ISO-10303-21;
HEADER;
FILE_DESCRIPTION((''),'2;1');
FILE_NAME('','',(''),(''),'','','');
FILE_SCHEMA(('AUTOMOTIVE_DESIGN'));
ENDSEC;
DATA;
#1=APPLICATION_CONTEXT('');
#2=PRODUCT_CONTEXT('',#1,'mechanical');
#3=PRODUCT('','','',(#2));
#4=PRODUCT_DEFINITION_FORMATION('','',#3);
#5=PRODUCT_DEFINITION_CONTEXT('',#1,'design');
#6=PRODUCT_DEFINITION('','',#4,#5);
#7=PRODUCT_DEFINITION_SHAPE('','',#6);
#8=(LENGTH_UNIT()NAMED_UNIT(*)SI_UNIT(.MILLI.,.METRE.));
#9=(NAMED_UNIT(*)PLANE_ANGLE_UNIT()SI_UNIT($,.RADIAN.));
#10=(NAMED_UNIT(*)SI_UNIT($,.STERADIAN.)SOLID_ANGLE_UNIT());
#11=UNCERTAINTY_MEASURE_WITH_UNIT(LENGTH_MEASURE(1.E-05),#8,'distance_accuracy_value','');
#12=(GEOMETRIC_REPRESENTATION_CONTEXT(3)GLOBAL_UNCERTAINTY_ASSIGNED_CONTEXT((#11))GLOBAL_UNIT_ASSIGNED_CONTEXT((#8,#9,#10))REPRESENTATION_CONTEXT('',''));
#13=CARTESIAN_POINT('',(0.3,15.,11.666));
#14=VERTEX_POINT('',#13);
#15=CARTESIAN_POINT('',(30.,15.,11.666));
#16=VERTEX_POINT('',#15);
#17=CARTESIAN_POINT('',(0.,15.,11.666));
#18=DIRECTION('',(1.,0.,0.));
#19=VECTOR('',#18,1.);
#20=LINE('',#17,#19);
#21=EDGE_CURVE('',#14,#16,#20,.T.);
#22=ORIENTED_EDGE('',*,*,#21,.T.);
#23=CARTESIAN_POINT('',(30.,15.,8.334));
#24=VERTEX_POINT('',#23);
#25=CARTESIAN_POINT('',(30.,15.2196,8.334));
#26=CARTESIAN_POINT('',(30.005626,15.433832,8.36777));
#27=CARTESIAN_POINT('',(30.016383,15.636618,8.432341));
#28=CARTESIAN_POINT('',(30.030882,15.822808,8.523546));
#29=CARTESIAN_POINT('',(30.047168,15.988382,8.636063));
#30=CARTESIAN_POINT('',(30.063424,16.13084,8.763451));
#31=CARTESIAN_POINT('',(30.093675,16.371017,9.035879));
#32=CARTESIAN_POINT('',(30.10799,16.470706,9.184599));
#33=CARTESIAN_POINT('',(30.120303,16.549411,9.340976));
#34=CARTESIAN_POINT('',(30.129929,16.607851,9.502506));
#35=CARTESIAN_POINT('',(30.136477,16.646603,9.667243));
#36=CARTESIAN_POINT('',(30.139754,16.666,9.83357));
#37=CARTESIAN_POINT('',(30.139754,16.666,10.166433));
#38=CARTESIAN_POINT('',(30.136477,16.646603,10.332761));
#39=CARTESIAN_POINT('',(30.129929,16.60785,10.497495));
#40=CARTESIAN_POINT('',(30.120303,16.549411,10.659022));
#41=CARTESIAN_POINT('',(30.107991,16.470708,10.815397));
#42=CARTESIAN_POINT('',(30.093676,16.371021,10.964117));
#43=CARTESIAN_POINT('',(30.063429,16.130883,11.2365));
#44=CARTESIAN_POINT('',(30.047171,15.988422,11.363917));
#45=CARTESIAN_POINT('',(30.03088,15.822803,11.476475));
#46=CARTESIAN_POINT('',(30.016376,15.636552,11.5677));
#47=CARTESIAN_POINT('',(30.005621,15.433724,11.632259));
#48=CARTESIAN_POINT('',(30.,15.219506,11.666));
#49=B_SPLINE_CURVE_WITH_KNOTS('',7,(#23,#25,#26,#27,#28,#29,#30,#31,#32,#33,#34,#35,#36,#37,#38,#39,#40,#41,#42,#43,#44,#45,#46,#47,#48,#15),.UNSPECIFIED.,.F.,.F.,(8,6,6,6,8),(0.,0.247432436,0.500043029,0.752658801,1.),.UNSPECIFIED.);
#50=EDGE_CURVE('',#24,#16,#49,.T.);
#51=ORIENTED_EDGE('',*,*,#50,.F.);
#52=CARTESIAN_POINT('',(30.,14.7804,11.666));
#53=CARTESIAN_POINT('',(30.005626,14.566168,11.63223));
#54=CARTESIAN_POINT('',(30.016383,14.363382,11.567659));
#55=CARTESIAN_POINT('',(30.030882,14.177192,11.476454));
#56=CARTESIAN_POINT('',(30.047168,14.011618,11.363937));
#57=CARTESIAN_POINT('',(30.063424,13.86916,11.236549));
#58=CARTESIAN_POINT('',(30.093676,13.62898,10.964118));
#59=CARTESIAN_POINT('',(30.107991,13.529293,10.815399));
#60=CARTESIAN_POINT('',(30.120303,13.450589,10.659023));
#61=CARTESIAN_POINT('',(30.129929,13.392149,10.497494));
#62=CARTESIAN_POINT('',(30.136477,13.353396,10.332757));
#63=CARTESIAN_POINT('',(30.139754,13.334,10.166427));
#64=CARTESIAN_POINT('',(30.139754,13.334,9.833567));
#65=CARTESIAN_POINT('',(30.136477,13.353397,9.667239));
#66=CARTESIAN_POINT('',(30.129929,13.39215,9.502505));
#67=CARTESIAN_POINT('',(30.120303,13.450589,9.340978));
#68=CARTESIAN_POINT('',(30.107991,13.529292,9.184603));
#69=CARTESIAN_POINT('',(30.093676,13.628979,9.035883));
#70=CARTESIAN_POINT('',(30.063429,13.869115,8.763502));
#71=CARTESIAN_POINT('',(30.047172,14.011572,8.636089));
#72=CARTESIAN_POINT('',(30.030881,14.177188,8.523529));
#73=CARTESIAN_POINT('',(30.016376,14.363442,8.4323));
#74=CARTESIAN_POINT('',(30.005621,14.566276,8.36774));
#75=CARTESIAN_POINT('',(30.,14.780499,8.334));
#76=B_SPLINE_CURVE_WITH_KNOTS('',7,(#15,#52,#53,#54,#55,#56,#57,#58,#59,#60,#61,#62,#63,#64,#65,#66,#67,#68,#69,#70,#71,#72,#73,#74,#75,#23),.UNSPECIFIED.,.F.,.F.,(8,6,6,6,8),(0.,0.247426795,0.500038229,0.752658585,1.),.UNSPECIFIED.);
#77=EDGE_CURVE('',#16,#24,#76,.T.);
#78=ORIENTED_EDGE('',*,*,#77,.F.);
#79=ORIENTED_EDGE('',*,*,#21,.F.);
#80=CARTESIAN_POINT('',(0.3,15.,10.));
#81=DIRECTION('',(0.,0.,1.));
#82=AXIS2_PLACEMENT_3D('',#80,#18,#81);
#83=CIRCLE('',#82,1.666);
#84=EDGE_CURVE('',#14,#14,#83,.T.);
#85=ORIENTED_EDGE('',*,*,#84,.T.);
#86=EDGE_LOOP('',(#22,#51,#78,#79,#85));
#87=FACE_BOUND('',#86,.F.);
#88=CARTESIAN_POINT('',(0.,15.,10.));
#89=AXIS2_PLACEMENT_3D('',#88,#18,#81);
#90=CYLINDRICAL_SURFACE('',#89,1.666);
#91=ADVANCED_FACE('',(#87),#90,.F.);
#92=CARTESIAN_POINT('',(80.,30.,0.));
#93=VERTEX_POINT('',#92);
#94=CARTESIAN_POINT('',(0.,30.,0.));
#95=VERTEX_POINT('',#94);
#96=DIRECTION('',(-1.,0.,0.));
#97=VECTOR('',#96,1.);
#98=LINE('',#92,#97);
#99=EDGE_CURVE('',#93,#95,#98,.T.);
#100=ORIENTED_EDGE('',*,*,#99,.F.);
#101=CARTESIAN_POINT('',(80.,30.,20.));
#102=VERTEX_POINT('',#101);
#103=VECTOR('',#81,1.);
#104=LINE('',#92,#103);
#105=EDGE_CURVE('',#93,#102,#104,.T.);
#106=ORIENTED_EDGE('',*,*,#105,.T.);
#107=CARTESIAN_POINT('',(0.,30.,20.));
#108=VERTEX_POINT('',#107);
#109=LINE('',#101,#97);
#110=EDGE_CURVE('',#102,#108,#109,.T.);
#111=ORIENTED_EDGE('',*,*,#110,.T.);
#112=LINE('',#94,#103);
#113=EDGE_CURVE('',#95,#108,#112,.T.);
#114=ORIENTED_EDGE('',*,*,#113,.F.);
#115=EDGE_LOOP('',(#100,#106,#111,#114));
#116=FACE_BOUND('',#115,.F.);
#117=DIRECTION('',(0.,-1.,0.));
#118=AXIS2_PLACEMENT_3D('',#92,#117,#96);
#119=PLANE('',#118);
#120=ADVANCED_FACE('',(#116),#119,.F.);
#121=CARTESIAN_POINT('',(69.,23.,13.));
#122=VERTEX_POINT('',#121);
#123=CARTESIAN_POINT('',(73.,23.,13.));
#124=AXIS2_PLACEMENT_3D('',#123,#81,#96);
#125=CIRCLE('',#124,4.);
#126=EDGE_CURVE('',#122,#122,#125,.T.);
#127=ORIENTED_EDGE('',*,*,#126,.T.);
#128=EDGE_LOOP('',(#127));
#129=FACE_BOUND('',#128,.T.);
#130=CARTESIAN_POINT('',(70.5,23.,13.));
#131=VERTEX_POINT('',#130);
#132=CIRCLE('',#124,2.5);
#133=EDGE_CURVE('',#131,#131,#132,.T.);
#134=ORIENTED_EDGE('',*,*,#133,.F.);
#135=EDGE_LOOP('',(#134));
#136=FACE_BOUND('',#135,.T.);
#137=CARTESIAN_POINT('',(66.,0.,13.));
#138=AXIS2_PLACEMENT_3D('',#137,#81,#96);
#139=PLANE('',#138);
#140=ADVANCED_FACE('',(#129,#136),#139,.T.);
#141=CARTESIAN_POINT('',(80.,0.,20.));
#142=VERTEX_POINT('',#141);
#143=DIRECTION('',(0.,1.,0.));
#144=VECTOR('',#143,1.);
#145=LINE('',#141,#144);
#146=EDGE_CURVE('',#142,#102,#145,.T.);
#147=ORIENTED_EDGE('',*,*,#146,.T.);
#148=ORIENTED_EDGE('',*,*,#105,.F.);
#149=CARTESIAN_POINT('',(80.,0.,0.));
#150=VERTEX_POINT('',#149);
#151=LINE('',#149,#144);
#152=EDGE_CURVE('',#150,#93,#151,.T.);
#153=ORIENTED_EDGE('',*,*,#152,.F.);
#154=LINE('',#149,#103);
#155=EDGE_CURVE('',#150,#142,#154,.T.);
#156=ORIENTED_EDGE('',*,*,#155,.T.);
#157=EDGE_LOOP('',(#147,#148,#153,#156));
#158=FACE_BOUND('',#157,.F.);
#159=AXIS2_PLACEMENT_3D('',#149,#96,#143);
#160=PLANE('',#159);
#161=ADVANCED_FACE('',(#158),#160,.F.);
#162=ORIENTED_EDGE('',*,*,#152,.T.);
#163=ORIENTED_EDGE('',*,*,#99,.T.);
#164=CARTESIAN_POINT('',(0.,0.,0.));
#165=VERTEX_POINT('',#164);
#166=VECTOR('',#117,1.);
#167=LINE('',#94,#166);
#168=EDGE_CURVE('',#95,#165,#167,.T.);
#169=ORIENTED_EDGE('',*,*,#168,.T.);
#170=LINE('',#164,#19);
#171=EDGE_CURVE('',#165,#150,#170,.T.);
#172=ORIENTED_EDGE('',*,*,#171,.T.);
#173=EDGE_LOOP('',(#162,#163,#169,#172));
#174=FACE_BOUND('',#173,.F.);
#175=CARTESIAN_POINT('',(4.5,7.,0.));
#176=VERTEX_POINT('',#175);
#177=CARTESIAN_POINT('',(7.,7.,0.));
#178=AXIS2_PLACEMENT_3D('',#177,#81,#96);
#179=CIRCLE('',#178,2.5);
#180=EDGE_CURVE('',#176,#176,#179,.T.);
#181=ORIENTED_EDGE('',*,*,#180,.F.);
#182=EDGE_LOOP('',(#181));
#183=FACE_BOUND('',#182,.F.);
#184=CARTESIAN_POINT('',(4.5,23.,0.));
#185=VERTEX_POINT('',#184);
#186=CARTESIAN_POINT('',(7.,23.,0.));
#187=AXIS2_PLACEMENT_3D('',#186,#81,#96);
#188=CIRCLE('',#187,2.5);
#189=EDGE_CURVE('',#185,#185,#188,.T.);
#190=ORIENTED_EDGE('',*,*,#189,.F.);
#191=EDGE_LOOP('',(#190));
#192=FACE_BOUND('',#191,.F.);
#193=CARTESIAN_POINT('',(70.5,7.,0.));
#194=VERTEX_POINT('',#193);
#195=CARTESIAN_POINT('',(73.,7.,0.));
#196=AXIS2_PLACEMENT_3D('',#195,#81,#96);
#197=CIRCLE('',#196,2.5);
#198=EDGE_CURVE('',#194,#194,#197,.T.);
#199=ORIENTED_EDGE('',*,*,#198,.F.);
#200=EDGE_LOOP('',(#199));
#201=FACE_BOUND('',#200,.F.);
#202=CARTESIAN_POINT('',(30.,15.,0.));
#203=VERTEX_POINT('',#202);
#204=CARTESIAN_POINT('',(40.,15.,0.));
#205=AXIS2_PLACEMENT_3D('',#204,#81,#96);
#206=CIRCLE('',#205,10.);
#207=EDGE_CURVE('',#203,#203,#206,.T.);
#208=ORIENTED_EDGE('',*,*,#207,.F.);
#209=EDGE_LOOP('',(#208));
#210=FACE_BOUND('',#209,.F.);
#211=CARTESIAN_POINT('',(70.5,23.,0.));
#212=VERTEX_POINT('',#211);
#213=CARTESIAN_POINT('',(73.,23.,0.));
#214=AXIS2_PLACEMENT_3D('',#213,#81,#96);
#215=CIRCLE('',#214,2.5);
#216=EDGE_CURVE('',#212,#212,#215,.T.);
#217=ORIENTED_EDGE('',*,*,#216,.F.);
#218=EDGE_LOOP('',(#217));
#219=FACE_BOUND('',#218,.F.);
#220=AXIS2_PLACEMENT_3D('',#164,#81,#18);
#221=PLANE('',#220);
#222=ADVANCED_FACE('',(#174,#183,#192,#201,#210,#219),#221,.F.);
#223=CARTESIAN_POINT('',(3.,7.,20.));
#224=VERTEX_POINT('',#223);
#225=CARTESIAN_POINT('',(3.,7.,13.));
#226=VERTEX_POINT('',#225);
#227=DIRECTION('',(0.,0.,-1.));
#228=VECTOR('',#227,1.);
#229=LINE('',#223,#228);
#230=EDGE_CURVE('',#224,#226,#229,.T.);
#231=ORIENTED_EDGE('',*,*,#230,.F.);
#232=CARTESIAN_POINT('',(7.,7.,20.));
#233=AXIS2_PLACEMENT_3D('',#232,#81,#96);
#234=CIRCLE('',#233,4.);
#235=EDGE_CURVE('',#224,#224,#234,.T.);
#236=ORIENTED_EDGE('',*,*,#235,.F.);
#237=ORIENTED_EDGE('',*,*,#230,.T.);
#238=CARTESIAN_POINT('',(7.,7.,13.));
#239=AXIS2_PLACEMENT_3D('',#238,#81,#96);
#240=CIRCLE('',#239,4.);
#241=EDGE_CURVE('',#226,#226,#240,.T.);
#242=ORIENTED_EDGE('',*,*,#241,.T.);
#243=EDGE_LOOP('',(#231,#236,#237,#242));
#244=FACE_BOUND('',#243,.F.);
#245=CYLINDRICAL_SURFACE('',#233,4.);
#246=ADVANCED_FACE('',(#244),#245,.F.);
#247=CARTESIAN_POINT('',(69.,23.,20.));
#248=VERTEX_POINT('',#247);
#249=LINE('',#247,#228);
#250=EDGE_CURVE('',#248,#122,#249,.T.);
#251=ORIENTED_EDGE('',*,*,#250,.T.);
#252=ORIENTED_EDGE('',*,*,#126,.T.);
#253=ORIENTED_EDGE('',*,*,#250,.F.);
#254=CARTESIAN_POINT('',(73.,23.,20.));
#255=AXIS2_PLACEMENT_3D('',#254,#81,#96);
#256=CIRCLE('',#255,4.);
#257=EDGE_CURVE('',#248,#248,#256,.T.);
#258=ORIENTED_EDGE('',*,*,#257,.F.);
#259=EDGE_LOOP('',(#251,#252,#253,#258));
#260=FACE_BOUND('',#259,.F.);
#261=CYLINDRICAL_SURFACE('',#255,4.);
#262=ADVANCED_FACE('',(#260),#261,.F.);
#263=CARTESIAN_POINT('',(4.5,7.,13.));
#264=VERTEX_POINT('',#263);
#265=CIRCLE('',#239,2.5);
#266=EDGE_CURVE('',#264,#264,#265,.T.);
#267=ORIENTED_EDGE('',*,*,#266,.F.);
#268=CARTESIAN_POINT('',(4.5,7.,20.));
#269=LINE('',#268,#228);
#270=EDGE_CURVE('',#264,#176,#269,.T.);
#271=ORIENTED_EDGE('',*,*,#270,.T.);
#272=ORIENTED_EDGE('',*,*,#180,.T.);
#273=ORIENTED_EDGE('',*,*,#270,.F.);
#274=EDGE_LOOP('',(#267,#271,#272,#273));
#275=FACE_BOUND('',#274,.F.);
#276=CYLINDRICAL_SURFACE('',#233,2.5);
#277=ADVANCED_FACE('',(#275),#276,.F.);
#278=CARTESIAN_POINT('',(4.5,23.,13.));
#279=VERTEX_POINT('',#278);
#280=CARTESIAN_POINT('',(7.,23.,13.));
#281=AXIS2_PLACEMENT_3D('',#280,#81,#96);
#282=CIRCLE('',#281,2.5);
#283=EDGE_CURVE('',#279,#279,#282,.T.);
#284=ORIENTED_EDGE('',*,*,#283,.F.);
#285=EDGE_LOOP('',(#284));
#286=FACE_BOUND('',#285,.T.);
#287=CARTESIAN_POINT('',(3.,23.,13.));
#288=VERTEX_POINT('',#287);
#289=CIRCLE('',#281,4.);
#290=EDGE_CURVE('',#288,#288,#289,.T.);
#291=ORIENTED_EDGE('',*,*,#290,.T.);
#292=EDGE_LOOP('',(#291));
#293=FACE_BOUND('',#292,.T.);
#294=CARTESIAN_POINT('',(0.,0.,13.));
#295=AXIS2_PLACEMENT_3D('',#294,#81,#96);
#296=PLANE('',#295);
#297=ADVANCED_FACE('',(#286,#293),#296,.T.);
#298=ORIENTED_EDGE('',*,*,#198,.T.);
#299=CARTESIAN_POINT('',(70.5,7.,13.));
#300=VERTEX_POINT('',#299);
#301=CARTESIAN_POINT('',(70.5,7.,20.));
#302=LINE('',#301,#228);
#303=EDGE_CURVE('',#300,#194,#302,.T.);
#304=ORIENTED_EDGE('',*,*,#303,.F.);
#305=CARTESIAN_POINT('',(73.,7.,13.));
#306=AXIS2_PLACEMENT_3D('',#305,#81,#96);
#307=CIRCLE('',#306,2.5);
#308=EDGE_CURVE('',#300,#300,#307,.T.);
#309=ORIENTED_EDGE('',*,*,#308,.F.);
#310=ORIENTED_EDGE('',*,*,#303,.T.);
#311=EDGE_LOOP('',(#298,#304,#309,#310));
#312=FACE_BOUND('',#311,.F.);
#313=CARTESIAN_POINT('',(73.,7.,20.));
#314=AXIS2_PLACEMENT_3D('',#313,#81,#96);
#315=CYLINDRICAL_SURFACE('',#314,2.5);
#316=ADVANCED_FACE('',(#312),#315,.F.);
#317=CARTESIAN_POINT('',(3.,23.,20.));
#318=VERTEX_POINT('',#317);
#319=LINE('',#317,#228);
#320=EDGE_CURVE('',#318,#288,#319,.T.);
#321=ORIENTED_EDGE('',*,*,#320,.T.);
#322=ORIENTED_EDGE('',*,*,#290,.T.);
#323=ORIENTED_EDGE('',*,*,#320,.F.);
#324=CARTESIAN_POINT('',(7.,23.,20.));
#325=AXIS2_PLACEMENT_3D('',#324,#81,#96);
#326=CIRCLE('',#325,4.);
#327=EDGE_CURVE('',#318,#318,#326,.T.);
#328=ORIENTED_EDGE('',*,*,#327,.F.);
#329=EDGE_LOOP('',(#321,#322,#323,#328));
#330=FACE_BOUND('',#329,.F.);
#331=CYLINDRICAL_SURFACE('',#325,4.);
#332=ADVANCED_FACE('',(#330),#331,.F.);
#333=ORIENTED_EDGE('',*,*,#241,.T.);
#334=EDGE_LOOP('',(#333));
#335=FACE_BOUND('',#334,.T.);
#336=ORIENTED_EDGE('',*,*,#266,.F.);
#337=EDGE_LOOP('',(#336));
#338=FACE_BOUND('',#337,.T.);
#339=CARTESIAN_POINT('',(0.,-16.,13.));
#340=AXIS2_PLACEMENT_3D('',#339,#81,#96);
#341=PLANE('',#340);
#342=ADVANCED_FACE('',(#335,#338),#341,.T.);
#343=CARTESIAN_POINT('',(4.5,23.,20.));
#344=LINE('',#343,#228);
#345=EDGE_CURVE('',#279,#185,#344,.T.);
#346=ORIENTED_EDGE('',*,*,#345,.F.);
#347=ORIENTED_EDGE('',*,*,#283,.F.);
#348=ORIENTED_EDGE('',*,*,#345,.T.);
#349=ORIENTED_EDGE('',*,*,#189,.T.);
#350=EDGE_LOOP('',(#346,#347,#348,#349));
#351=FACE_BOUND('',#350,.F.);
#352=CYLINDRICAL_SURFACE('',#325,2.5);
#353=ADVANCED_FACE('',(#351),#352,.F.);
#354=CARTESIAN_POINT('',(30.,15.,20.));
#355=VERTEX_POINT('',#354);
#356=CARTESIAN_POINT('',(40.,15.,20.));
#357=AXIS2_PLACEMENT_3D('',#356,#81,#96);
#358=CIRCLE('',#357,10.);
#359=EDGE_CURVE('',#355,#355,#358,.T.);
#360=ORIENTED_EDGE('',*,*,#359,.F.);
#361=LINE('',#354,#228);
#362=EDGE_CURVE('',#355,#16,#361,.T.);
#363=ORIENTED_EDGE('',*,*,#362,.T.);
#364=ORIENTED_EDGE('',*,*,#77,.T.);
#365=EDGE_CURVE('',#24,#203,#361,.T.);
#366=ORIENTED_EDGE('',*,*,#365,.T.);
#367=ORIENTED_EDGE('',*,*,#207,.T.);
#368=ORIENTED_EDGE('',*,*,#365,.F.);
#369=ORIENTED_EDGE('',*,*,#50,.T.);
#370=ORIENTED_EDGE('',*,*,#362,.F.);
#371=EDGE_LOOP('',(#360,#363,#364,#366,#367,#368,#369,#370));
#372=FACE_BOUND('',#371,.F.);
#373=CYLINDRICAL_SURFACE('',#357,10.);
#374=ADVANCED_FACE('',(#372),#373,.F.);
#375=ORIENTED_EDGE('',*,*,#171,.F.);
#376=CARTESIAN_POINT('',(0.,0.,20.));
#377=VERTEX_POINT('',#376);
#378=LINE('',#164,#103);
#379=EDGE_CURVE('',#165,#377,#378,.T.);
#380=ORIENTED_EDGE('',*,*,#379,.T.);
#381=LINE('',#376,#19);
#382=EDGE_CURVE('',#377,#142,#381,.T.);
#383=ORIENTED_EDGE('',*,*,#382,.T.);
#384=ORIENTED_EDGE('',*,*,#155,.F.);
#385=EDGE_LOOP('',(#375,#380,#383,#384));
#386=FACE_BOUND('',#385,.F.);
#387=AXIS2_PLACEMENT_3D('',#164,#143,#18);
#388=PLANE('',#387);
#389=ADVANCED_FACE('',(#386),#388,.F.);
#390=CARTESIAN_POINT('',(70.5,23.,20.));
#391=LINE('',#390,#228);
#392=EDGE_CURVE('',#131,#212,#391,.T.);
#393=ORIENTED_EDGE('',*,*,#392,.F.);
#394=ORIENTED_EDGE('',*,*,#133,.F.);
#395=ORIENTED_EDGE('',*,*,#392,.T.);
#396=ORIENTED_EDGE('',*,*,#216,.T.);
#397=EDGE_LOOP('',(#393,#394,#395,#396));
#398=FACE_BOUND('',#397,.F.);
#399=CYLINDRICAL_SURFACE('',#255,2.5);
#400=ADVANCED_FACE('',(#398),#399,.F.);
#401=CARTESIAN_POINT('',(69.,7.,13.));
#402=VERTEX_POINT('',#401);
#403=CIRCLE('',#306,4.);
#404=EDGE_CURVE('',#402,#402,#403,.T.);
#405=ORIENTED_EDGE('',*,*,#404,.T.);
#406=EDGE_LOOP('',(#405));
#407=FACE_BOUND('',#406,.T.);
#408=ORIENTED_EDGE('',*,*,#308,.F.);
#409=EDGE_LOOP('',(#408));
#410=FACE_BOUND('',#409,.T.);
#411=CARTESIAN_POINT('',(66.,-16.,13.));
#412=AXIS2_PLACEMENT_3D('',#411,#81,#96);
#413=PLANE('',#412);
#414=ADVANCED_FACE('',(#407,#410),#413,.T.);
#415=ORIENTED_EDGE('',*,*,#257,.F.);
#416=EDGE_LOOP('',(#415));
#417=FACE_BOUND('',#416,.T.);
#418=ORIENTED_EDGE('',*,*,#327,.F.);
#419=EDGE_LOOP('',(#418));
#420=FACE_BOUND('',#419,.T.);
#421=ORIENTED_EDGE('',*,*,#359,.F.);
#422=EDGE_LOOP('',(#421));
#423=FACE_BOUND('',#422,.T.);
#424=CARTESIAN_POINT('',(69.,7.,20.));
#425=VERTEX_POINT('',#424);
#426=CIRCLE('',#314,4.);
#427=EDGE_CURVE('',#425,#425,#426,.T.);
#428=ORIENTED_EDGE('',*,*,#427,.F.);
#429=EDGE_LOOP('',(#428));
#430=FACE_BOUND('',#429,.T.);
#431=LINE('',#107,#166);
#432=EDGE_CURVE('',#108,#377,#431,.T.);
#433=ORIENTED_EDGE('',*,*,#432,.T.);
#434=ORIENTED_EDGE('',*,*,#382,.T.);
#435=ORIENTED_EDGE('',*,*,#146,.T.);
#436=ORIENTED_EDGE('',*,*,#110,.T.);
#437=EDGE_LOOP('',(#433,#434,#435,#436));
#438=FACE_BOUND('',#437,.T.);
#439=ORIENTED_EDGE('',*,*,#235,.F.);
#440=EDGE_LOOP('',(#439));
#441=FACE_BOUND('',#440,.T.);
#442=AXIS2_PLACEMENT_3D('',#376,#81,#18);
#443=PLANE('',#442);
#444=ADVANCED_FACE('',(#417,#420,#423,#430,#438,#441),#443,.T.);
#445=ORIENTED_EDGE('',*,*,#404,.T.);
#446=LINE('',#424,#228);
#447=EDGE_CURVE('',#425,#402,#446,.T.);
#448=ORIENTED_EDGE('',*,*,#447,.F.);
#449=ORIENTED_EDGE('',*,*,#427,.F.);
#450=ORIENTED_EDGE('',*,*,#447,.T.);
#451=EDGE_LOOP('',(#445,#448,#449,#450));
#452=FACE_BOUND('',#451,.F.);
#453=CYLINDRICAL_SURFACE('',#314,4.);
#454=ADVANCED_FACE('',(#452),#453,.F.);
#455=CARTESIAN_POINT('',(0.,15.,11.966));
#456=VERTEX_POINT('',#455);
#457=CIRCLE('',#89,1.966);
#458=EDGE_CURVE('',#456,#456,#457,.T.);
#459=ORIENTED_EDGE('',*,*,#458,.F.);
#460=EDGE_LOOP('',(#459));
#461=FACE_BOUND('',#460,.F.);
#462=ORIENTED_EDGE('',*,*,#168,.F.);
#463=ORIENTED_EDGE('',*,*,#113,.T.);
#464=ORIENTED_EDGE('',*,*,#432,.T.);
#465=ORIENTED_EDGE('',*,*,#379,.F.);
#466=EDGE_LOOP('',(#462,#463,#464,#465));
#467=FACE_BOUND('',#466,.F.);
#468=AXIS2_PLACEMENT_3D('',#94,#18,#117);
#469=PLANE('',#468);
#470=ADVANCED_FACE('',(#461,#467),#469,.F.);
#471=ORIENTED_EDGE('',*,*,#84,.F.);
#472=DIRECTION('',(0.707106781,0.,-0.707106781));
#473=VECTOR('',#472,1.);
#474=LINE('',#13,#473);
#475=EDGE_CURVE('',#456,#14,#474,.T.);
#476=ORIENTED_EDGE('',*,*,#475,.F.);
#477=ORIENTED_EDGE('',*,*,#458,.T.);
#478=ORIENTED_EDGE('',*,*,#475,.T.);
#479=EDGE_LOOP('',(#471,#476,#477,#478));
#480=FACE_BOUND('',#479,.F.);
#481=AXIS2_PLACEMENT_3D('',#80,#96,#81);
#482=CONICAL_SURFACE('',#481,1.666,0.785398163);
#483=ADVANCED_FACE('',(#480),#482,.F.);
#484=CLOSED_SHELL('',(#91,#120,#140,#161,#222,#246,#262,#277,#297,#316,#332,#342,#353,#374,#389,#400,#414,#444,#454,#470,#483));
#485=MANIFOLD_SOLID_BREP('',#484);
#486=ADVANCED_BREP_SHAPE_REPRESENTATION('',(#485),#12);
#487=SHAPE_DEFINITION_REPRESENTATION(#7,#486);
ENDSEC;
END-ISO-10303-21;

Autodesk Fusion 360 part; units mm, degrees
sketch "Skizze1" plane through (0, 0, 0) normal (0, 0, 1) x (1, 0, 0)
  line L0 (0, 0) -> (80, 0)
  line L1 (80, 0) -> (80, 30)
  line L2 (80, 30) -> (0, 30)
  line L3 (0, 30) -> (0, 0)
  dimension "d1" = 80
  dimension "d2" = 30
extrude "Extrusion1" add sketch "Skizze1" along normal blind 20
sketch "Skizze2" plane through (0, 0, 20) normal (0, 0, 1) x (-1, 0, 0)
  line L0 (0, -30) -> (0, 0)
  line L1 (0, 0) -> (-80, 0)
  line L2 (-80, 0) -> (-80, -30)
  line L3 (-80, -30) -> (0, -30)
  circle A0 centre (-40, -15) radius 10
  circle A1 centre (-7, -23) radius 2.5
  circle A2 centre (-7, -23) radius 4
  dimension "d5" = 20
  dimension "d6" = 40
  dimension "d7" = 15
  dimension "d8" = 5
  dimension "d9" = 8
  dimension "d10" = 7
  dimension "d11" = 7
extrude "Extrusion2" cut sketch "Skizze2" against normal blind 22 contours A0
ref_plane "Arbeitsebene1" through (40, 15, 10) normal (0, -1, 0) x (1, 0, 0)
extrude "Extrusion3" cut sketch "Skizze2" against normal blind 22 contours A1
extrude "Extrusion4" cut sketch "Skizze2" against normal blind 7 contours A2
pattern_linear "R-Anordnung1" count 2 spacing 16 along (0, -1, 0) count 2 spacing 66 along (1, 0, 0) of "Extrusion3", "Extrusion4"
sketch "Skizze3" plane through (0, 0, 0) normal (-1, 0, 0) x (0, -1, 0)
  line L0 (-30, 0) -> (0, 0)
  line L1 (0, 0) -> (0, 20)
  line L2 (0, 20) -> (-30, 20)
  line L3 (-30, 20) -> (-30, 0)
  circle A0 centre (-15, 10) radius 1.5
  dimension "d22" = 3
  dimension "d23" = 15
  dimension "d24" = 10
hole "Bohrung1" at (0, 15, 10) direction (1, 0, 0) diameter 3.332 depth 40 tip angle 118
chamfer "Fase3" distance 0.3 angle 45 1 edges at (0, 16.5533, 10.6025)
